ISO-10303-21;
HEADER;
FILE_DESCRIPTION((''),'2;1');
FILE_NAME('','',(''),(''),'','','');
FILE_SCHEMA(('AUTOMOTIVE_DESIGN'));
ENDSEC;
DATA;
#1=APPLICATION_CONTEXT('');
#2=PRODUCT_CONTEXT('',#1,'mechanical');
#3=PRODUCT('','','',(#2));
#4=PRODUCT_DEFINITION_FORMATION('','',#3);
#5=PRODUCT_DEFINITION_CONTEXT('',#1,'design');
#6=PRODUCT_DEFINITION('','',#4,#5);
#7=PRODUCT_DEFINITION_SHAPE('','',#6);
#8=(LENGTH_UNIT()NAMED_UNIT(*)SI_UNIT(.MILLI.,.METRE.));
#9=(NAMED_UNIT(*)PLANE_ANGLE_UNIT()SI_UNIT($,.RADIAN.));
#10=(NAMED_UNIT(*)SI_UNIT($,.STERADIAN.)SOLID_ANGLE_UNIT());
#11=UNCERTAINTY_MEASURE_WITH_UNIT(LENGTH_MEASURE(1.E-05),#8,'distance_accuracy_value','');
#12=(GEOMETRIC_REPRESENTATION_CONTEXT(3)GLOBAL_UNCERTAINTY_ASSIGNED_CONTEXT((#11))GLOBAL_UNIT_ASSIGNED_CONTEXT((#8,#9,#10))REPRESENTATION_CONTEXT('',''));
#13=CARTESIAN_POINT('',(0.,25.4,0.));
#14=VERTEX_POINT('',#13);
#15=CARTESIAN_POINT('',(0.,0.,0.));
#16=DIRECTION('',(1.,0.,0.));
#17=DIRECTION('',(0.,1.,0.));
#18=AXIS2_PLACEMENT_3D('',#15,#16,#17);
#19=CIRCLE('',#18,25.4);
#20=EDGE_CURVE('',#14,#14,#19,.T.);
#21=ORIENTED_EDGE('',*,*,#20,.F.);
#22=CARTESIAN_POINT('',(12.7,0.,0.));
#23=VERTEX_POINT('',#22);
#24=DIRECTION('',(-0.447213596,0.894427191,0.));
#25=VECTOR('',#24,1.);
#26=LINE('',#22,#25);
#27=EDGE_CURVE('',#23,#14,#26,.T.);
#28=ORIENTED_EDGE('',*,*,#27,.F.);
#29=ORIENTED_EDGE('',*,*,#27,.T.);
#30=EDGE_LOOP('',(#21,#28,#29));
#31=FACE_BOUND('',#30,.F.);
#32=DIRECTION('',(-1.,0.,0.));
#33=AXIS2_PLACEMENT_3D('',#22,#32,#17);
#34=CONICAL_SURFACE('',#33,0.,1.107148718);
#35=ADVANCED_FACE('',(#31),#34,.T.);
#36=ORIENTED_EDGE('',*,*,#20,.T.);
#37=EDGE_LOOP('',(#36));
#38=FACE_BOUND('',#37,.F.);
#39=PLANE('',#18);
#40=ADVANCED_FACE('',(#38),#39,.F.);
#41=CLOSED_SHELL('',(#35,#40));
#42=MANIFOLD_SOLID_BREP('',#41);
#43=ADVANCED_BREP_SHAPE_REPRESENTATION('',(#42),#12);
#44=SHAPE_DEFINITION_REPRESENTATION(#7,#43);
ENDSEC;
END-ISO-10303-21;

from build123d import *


with BuildPart() as f1:
    # F0 (on Top) → F1 (revolve)
    with BuildSketch(Plane.XY):
        Polygon((0, 25.4), (0, 0), (12.7, 0), align=None)
    revolve(axis=Axis((6.35, 0, 0), (1, 0, 0)))


solid = f1.part
